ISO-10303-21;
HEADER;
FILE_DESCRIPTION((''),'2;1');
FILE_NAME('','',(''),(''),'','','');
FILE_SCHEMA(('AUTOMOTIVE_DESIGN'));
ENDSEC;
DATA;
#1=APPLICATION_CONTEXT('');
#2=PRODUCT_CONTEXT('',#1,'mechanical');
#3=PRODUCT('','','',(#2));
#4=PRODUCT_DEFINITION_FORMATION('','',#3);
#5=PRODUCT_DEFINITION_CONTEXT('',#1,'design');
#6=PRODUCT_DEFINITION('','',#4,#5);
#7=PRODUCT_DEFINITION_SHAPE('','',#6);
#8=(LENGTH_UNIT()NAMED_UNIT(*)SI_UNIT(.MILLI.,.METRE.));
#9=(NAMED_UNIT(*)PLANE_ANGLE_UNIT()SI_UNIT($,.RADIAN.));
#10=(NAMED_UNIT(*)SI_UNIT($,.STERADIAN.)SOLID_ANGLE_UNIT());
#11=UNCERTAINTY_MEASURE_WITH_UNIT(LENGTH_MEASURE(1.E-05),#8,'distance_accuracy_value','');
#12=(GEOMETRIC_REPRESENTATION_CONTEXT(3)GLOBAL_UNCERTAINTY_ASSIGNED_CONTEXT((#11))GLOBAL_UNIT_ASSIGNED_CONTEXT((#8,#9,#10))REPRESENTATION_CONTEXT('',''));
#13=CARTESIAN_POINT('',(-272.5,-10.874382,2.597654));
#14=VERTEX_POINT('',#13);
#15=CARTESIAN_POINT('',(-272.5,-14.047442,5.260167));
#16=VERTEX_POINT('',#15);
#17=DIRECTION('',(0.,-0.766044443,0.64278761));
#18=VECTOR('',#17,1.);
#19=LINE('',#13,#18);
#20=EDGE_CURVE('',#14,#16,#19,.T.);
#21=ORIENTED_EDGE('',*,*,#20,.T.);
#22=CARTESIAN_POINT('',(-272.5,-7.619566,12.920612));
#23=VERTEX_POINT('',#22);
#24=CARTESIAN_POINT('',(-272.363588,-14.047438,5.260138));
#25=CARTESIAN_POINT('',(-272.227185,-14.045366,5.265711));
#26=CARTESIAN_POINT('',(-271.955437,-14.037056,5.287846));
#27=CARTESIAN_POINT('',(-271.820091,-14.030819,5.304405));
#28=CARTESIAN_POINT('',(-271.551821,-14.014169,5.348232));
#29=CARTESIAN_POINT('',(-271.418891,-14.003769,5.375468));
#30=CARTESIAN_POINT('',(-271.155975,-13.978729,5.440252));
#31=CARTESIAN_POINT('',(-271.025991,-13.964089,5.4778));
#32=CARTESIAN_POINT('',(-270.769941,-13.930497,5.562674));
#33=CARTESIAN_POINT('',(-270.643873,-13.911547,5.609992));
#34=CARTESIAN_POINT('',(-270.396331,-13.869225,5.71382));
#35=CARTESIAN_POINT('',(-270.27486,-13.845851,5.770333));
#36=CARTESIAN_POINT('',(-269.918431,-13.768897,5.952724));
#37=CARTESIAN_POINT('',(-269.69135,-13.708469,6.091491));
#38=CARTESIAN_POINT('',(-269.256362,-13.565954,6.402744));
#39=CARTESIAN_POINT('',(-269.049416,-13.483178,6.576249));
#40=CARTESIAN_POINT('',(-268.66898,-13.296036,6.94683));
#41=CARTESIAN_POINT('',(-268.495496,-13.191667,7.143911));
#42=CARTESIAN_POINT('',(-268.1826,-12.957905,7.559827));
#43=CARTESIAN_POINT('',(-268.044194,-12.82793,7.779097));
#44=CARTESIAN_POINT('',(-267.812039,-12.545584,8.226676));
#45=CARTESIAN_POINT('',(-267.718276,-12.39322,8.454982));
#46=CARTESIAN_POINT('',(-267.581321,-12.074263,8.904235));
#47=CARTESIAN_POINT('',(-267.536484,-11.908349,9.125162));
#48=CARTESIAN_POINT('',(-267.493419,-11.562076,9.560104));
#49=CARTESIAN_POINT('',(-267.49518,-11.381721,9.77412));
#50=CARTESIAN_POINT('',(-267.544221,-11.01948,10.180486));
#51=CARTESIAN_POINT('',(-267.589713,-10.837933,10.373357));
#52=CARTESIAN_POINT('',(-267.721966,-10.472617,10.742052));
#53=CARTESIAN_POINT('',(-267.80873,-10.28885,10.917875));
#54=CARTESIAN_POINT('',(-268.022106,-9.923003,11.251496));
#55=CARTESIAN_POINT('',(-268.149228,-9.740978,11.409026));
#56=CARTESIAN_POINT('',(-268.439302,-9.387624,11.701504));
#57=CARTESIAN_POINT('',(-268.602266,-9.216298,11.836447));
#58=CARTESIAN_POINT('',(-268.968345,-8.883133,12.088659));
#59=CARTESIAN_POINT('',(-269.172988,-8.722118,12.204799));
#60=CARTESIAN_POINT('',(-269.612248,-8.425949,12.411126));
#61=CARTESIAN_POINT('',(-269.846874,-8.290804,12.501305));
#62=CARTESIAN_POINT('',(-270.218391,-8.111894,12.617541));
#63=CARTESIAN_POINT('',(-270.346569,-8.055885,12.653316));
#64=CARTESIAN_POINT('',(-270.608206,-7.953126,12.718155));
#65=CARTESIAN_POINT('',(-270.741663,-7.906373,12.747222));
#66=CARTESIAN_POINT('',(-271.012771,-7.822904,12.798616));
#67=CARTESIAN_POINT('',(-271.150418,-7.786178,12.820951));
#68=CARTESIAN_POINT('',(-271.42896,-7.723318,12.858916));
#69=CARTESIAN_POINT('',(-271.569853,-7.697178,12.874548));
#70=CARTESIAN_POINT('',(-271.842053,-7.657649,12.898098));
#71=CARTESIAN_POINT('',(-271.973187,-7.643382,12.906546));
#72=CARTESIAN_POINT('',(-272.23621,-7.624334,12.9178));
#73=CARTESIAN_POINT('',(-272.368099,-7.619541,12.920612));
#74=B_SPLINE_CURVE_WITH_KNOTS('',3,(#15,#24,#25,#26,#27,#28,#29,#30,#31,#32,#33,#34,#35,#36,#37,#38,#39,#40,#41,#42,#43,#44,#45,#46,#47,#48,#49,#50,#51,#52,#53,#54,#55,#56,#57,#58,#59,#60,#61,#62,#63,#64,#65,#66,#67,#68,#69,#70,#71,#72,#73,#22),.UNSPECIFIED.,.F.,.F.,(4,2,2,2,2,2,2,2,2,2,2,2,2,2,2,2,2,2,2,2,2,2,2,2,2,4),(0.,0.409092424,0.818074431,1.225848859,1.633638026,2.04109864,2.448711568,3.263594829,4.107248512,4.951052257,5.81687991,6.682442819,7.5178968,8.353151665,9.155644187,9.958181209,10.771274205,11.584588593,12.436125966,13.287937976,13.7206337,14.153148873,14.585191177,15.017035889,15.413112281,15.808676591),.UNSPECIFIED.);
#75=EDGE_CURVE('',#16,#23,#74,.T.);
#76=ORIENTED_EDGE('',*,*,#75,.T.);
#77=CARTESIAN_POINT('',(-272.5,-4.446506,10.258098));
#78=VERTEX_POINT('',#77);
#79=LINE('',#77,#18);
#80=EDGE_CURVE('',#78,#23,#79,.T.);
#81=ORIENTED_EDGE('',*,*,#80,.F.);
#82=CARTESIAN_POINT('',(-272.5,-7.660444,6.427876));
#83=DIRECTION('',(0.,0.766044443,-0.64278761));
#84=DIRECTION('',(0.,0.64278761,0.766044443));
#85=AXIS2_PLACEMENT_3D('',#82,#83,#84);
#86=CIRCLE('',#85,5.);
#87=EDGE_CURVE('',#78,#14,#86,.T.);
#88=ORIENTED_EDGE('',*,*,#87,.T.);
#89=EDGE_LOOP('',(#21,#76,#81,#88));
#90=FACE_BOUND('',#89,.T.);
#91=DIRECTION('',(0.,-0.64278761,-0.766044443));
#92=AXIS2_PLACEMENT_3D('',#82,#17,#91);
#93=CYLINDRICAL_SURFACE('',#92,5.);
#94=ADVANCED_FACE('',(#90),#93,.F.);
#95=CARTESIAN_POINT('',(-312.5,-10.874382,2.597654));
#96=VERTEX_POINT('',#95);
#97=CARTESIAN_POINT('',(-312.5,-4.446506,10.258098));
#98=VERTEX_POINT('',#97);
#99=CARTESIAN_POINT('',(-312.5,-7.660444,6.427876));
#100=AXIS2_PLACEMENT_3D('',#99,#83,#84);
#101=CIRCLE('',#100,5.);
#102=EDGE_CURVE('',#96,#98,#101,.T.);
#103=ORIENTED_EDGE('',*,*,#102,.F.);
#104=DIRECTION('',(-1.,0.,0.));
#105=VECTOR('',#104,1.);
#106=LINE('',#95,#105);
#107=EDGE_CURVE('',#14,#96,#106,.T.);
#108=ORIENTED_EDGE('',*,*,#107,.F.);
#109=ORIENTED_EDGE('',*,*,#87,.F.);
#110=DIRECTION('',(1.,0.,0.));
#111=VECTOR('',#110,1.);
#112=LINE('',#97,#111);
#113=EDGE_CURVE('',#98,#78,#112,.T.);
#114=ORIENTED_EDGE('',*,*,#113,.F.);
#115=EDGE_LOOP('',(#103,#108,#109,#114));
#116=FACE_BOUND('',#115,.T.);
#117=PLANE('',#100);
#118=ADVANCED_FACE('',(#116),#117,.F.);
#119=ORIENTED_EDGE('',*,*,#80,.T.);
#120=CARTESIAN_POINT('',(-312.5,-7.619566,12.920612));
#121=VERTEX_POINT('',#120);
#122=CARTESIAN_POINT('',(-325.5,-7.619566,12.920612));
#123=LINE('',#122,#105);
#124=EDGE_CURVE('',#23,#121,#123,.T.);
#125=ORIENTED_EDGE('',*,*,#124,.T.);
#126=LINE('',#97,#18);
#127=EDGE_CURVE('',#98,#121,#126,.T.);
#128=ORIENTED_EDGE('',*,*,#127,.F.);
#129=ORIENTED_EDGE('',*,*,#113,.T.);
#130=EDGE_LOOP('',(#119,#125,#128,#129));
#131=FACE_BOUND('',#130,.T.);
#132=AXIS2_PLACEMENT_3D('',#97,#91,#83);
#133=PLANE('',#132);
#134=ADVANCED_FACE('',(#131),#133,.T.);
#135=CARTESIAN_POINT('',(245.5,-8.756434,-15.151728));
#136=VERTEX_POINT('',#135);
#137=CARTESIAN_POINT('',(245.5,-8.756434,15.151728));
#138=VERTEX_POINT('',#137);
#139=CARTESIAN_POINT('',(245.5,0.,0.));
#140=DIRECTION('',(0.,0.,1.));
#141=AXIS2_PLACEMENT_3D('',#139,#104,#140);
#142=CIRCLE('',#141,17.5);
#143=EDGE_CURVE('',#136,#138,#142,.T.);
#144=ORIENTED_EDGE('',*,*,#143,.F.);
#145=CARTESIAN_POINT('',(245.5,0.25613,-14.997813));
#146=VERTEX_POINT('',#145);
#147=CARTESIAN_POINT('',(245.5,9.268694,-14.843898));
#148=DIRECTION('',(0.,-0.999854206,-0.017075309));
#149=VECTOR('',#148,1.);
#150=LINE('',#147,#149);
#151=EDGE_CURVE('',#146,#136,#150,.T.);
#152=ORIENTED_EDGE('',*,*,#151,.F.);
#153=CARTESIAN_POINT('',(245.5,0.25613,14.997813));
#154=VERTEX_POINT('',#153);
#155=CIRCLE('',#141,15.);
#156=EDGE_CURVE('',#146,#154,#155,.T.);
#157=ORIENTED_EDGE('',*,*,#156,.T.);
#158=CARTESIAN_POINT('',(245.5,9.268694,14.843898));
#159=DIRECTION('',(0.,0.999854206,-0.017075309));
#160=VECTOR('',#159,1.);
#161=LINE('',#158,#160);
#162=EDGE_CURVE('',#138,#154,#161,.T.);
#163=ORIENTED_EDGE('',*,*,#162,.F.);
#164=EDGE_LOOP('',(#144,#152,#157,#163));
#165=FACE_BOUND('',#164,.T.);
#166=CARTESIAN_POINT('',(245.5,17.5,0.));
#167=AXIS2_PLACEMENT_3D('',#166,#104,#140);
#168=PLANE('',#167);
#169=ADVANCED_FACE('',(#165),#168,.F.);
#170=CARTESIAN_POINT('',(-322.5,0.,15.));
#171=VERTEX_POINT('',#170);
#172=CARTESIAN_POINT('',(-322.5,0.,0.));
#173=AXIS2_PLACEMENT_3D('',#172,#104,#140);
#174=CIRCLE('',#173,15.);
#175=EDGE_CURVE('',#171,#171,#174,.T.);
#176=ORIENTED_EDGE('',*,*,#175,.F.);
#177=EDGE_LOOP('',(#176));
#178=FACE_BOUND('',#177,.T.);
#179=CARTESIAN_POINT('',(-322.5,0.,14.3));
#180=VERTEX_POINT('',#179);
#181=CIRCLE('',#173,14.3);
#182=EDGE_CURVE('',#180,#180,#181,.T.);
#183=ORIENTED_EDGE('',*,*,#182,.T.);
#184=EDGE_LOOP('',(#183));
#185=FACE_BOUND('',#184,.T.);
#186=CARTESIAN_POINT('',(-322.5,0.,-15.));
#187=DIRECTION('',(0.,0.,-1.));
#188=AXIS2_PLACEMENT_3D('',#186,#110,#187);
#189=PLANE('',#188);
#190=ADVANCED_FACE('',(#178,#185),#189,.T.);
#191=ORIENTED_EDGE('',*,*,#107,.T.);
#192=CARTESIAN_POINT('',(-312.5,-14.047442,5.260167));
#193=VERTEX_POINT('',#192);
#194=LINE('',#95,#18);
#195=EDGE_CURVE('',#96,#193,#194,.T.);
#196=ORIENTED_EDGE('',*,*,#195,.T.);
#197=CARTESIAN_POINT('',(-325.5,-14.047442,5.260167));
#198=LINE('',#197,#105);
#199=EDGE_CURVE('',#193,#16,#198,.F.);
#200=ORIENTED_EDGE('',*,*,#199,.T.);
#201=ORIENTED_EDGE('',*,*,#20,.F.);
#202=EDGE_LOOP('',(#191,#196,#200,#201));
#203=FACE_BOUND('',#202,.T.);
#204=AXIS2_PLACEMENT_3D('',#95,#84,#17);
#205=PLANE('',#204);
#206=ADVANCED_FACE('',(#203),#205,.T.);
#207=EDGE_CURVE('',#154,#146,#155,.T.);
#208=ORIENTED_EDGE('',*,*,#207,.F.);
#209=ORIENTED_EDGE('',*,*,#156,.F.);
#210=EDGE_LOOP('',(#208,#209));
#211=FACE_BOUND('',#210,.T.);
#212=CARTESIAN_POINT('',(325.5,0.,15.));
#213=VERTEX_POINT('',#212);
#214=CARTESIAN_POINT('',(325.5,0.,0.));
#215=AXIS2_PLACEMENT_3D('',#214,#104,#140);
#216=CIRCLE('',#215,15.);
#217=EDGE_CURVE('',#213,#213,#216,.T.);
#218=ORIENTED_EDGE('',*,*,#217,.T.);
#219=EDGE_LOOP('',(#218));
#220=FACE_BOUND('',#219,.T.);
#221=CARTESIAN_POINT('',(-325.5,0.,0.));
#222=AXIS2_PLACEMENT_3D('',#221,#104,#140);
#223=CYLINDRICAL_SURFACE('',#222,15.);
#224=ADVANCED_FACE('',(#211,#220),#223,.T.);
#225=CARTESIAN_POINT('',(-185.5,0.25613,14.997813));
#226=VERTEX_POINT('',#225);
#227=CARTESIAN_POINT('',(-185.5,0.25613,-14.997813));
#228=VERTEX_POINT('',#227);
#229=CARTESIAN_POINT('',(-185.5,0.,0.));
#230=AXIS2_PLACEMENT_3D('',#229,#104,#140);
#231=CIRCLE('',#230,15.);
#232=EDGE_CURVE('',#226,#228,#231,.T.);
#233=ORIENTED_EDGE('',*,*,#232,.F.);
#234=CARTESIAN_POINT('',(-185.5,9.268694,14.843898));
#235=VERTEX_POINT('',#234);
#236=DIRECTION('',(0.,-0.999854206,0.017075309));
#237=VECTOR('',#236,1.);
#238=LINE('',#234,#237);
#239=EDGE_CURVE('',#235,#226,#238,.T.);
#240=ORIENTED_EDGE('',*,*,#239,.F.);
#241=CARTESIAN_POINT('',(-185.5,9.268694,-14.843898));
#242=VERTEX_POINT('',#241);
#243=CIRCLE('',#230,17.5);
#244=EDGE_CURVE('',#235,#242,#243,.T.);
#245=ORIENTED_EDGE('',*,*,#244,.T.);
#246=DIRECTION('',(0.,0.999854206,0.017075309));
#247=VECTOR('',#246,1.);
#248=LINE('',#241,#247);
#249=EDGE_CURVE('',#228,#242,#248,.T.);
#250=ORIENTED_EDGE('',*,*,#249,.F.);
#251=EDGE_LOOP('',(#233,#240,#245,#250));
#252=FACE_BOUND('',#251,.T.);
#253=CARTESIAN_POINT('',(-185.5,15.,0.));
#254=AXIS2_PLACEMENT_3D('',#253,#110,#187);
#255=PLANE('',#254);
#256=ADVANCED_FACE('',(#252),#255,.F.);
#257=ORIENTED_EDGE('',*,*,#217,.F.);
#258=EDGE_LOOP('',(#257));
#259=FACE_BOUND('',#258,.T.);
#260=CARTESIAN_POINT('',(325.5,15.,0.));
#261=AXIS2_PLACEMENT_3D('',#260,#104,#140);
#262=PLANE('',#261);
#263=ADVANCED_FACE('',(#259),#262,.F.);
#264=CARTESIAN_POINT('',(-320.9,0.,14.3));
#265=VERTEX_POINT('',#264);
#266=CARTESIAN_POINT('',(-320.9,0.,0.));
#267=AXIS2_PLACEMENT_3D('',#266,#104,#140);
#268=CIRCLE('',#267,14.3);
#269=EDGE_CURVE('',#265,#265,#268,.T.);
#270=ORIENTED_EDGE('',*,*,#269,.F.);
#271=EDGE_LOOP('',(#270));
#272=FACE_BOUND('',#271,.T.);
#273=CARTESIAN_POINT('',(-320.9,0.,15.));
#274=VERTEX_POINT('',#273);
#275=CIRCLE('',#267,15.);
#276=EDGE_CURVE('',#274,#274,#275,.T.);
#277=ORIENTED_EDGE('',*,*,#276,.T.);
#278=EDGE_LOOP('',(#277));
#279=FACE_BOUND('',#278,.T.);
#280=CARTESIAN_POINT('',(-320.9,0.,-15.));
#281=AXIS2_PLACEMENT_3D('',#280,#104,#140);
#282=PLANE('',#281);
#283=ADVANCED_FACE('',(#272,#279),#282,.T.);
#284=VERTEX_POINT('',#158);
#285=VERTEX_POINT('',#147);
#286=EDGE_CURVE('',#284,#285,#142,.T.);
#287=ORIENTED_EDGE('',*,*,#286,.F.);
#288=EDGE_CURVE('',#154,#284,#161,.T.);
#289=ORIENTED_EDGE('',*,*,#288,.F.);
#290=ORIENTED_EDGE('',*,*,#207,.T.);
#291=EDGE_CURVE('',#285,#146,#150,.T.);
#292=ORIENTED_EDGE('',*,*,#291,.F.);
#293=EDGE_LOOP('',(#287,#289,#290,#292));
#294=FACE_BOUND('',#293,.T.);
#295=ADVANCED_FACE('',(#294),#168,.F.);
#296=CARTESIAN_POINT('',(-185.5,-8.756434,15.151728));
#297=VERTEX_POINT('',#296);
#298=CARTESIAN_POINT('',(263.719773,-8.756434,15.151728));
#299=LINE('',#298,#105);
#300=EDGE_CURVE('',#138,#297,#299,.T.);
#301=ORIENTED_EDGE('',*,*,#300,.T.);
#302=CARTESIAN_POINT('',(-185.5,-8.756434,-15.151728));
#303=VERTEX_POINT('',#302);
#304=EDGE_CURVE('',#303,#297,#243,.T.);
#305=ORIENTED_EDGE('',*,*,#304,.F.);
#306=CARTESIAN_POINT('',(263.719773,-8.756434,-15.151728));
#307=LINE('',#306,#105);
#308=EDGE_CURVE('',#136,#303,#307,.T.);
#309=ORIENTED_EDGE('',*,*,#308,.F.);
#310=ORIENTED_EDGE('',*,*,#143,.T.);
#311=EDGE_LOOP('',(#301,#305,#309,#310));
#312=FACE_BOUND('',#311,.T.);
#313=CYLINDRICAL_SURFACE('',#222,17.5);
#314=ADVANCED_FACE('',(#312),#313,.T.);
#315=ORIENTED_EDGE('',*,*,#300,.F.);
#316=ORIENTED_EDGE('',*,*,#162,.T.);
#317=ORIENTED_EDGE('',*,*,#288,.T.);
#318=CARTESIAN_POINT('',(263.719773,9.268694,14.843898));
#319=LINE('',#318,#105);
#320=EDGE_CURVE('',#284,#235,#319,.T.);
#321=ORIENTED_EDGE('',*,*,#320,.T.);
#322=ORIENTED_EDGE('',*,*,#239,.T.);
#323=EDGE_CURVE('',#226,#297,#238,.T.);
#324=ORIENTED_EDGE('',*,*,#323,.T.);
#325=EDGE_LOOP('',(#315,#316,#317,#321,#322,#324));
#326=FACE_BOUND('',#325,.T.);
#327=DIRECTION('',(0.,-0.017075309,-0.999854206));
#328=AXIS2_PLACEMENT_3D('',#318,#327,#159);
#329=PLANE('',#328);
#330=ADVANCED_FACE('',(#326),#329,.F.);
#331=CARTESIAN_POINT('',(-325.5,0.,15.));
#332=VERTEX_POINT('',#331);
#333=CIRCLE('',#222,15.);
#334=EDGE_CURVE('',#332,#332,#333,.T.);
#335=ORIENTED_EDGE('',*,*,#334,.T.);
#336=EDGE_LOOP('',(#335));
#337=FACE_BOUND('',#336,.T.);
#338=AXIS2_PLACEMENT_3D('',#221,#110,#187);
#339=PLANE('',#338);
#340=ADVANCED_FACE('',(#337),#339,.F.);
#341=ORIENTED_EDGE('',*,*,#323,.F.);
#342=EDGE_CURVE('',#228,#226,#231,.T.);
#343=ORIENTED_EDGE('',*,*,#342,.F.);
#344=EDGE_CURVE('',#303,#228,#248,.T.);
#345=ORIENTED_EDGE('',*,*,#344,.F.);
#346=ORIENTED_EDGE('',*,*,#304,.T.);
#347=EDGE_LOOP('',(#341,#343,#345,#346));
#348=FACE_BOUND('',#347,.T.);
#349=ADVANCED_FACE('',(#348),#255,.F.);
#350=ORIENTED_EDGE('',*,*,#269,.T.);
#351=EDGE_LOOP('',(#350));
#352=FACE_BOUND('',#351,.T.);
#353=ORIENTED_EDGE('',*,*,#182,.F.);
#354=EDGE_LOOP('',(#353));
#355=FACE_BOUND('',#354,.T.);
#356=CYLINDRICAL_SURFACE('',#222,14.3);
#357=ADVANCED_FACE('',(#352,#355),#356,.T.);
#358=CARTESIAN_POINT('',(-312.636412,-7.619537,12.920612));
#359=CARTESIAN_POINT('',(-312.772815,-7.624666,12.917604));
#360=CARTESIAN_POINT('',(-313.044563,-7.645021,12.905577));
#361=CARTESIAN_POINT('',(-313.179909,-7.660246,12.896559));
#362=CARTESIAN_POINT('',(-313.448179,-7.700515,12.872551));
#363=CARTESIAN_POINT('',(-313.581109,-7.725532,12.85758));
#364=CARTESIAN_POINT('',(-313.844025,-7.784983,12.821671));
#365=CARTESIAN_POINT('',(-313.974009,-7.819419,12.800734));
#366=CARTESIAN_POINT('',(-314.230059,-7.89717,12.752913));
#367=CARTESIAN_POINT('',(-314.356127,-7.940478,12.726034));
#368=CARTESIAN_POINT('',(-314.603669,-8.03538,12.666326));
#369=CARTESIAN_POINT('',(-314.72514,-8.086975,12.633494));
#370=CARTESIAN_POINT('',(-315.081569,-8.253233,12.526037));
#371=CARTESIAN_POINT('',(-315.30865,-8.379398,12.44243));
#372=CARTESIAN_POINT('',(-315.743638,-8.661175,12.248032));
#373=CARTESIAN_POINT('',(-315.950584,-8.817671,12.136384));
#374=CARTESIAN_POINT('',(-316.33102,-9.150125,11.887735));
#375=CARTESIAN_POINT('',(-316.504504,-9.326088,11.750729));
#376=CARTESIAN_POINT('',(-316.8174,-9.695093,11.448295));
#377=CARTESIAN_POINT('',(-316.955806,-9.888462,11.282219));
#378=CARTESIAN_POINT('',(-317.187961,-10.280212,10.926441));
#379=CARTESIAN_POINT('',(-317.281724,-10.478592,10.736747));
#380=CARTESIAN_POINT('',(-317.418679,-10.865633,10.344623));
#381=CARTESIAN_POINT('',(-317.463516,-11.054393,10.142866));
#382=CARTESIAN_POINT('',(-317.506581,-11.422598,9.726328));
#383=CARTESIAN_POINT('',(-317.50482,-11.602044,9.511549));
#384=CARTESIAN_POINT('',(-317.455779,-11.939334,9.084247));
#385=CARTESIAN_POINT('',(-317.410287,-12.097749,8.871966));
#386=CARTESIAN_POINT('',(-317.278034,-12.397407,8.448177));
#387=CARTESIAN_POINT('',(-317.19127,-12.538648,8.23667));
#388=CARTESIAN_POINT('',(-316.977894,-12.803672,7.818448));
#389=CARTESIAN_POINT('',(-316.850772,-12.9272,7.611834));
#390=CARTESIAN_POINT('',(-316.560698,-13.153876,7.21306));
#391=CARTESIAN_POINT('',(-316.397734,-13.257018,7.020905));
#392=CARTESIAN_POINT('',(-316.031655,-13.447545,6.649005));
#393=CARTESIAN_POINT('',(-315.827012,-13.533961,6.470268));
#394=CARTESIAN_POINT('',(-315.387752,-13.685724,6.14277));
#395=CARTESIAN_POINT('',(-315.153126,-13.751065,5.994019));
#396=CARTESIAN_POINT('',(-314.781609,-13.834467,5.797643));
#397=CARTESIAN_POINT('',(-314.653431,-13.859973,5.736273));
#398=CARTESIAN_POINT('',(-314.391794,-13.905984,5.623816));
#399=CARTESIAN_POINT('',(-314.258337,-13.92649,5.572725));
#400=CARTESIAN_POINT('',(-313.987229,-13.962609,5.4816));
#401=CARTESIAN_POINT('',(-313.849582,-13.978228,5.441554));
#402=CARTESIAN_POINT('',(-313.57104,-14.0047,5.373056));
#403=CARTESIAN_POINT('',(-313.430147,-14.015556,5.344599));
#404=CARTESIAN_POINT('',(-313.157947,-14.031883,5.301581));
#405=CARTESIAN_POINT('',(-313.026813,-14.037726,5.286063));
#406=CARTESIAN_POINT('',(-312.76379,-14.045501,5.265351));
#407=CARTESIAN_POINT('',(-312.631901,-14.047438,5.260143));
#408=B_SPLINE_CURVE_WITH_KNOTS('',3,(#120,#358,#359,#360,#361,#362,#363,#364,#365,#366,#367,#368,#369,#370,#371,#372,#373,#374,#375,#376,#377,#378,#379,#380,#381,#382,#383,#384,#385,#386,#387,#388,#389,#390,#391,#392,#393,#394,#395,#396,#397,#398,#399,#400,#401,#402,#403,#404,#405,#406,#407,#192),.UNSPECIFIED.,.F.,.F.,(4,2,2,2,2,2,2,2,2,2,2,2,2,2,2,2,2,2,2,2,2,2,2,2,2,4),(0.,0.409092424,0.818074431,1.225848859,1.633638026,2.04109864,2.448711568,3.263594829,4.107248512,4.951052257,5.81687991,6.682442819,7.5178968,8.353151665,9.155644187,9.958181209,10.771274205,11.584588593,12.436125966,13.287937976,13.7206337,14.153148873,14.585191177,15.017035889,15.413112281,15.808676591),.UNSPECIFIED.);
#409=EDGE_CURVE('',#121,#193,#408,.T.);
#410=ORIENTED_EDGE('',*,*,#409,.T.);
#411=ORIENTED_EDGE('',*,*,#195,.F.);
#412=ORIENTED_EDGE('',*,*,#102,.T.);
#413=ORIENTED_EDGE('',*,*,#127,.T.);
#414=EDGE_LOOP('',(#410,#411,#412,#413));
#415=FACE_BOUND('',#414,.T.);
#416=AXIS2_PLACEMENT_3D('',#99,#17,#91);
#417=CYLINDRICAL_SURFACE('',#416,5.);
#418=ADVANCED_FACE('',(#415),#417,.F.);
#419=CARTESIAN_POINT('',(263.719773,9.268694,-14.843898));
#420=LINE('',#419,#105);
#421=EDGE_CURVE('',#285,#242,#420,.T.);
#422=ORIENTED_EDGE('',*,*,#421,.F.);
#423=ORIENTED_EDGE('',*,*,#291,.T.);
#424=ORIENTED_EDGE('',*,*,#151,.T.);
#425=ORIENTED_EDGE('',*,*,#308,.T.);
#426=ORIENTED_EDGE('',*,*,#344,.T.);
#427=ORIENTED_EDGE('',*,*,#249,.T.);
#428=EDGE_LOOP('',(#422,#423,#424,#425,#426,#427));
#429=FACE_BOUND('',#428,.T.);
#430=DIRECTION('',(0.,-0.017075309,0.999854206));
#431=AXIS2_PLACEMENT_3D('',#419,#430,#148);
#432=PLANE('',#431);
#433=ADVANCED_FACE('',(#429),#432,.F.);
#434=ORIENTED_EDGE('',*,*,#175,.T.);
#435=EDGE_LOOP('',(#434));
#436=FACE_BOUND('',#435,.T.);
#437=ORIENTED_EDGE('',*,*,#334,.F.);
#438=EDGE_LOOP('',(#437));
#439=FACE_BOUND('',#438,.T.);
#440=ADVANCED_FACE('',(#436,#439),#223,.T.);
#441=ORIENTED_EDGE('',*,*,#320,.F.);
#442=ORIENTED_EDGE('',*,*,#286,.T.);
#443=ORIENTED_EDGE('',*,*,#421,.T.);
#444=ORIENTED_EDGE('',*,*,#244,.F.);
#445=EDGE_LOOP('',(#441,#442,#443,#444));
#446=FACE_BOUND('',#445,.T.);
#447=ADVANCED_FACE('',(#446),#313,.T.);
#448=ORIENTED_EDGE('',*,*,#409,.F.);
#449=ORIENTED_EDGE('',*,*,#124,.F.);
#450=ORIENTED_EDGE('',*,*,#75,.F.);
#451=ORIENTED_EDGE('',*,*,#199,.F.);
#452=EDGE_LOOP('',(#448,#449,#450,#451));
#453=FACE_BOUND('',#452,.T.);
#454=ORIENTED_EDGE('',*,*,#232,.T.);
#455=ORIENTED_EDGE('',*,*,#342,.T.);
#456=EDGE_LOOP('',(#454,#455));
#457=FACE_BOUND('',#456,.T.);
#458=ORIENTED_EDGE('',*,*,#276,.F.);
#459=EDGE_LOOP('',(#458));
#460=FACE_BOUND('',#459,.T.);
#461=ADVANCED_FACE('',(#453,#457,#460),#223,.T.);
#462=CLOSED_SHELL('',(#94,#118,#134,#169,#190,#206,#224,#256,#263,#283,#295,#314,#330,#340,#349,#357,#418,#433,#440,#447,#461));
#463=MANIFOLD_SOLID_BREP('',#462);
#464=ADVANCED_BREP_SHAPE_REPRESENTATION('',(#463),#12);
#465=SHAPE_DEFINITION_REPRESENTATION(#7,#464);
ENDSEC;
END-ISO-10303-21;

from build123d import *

# Parameters (mm, degrees)
KES_EKSTR_ZYON1_DEPTH = 431
IZIM3_W               = 1.6
IZIM3_H               = 0.7
KES_EKSTR_ZYON2_DEPTH = 5


with BuildPart() as part:
    # Çizim1 → Döndür1 (revolve)
    with BuildSketch(Plane.XY, mode=Mode.PRIVATE) as d_nd_r1_sk:
        Polygon((-325.5, 0), (325.5, 0), (325.5, 15), (245.5, 15), (245.5, 17.5), (-185.5, 17.5), (-185.5, 15), (-325.5, 15), align=None)
    revolve(d_nd_r1_sk.sketch.rotate(Axis((-325.5, 0, 0), (1, 0, 0)), 90), axis=Axis((-325.5, 0, 0), (1, 0, 0)))

    # Çizim2 → Kes-Ekstrüzyon1 (cut)
    with BuildSketch(Plane.ZY.offset(185.5)):
        with BuildLine():
            Line((-14.843898339, 9.268693657), (-15.15172785, -8.756434386))
            ThreePointArc((-15.15172785, -8.756434386), (-17.49744861, 0.298817908), (-14.843898339, 9.268693657))
        make_face()
        with BuildLine():
            Line((14.843898339, 9.268693657), (15.15172785, -8.756434386))
            ThreePointArc((15.15172785, -8.756434386), (17.49744861, 0.298817908), (14.843898339, 9.268693657))
        make_face()
    extrude(amount=-KES_EKSTR_ZYON1_DEPTH, mode=Mode.SUBTRACT)

    # Çizim3 → Kes-Döndür2 (revolve, cut)
    with BuildSketch(Plane(origin=(0, 0, 0), x_dir=(1, 0, 0), z_dir=(0, 1, 0)), mode=Mode.PRIVATE) as kes_d_nd_r2_sk:
        with Locations((-321.7, 14.65)):
            Rectangle(IZIM3_W, IZIM3_H)
    revolve(kes_d_nd_r2_sk.sketch.rotate(Axis((-325.5, 0, 0), (1, 0, 0)), 180), axis=Axis((-325.5, 0, 0), (1, 0, 0)), mode=Mode.SUBTRACT)

    # Çizim6 → Kes-Ekstrüzyon2 (cut)
    with BuildSketch(Plane(origin=(0, -11.490666647, 9.641814145), x_dir=(0, -0.642787609686535, -0.7660444431189818), z_dir=(0, 0.7660444431189817, -0.6427876096865349))):
        with BuildLine():
            Line((5, 312.5), (5, 272.5))
            ThreePointArc((5, 272.5), (0, 267.5), (-5, 272.5))
            Line((-5, 272.5), (-5, 312.5))
            ThreePointArc((-5, 312.5), (0, 317.5), (5, 312.5))
        make_face()
    extrude(amount=KES_EKSTR_ZYON2_DEPTH, mode=Mode.SUBTRACT)


solid = part.part
